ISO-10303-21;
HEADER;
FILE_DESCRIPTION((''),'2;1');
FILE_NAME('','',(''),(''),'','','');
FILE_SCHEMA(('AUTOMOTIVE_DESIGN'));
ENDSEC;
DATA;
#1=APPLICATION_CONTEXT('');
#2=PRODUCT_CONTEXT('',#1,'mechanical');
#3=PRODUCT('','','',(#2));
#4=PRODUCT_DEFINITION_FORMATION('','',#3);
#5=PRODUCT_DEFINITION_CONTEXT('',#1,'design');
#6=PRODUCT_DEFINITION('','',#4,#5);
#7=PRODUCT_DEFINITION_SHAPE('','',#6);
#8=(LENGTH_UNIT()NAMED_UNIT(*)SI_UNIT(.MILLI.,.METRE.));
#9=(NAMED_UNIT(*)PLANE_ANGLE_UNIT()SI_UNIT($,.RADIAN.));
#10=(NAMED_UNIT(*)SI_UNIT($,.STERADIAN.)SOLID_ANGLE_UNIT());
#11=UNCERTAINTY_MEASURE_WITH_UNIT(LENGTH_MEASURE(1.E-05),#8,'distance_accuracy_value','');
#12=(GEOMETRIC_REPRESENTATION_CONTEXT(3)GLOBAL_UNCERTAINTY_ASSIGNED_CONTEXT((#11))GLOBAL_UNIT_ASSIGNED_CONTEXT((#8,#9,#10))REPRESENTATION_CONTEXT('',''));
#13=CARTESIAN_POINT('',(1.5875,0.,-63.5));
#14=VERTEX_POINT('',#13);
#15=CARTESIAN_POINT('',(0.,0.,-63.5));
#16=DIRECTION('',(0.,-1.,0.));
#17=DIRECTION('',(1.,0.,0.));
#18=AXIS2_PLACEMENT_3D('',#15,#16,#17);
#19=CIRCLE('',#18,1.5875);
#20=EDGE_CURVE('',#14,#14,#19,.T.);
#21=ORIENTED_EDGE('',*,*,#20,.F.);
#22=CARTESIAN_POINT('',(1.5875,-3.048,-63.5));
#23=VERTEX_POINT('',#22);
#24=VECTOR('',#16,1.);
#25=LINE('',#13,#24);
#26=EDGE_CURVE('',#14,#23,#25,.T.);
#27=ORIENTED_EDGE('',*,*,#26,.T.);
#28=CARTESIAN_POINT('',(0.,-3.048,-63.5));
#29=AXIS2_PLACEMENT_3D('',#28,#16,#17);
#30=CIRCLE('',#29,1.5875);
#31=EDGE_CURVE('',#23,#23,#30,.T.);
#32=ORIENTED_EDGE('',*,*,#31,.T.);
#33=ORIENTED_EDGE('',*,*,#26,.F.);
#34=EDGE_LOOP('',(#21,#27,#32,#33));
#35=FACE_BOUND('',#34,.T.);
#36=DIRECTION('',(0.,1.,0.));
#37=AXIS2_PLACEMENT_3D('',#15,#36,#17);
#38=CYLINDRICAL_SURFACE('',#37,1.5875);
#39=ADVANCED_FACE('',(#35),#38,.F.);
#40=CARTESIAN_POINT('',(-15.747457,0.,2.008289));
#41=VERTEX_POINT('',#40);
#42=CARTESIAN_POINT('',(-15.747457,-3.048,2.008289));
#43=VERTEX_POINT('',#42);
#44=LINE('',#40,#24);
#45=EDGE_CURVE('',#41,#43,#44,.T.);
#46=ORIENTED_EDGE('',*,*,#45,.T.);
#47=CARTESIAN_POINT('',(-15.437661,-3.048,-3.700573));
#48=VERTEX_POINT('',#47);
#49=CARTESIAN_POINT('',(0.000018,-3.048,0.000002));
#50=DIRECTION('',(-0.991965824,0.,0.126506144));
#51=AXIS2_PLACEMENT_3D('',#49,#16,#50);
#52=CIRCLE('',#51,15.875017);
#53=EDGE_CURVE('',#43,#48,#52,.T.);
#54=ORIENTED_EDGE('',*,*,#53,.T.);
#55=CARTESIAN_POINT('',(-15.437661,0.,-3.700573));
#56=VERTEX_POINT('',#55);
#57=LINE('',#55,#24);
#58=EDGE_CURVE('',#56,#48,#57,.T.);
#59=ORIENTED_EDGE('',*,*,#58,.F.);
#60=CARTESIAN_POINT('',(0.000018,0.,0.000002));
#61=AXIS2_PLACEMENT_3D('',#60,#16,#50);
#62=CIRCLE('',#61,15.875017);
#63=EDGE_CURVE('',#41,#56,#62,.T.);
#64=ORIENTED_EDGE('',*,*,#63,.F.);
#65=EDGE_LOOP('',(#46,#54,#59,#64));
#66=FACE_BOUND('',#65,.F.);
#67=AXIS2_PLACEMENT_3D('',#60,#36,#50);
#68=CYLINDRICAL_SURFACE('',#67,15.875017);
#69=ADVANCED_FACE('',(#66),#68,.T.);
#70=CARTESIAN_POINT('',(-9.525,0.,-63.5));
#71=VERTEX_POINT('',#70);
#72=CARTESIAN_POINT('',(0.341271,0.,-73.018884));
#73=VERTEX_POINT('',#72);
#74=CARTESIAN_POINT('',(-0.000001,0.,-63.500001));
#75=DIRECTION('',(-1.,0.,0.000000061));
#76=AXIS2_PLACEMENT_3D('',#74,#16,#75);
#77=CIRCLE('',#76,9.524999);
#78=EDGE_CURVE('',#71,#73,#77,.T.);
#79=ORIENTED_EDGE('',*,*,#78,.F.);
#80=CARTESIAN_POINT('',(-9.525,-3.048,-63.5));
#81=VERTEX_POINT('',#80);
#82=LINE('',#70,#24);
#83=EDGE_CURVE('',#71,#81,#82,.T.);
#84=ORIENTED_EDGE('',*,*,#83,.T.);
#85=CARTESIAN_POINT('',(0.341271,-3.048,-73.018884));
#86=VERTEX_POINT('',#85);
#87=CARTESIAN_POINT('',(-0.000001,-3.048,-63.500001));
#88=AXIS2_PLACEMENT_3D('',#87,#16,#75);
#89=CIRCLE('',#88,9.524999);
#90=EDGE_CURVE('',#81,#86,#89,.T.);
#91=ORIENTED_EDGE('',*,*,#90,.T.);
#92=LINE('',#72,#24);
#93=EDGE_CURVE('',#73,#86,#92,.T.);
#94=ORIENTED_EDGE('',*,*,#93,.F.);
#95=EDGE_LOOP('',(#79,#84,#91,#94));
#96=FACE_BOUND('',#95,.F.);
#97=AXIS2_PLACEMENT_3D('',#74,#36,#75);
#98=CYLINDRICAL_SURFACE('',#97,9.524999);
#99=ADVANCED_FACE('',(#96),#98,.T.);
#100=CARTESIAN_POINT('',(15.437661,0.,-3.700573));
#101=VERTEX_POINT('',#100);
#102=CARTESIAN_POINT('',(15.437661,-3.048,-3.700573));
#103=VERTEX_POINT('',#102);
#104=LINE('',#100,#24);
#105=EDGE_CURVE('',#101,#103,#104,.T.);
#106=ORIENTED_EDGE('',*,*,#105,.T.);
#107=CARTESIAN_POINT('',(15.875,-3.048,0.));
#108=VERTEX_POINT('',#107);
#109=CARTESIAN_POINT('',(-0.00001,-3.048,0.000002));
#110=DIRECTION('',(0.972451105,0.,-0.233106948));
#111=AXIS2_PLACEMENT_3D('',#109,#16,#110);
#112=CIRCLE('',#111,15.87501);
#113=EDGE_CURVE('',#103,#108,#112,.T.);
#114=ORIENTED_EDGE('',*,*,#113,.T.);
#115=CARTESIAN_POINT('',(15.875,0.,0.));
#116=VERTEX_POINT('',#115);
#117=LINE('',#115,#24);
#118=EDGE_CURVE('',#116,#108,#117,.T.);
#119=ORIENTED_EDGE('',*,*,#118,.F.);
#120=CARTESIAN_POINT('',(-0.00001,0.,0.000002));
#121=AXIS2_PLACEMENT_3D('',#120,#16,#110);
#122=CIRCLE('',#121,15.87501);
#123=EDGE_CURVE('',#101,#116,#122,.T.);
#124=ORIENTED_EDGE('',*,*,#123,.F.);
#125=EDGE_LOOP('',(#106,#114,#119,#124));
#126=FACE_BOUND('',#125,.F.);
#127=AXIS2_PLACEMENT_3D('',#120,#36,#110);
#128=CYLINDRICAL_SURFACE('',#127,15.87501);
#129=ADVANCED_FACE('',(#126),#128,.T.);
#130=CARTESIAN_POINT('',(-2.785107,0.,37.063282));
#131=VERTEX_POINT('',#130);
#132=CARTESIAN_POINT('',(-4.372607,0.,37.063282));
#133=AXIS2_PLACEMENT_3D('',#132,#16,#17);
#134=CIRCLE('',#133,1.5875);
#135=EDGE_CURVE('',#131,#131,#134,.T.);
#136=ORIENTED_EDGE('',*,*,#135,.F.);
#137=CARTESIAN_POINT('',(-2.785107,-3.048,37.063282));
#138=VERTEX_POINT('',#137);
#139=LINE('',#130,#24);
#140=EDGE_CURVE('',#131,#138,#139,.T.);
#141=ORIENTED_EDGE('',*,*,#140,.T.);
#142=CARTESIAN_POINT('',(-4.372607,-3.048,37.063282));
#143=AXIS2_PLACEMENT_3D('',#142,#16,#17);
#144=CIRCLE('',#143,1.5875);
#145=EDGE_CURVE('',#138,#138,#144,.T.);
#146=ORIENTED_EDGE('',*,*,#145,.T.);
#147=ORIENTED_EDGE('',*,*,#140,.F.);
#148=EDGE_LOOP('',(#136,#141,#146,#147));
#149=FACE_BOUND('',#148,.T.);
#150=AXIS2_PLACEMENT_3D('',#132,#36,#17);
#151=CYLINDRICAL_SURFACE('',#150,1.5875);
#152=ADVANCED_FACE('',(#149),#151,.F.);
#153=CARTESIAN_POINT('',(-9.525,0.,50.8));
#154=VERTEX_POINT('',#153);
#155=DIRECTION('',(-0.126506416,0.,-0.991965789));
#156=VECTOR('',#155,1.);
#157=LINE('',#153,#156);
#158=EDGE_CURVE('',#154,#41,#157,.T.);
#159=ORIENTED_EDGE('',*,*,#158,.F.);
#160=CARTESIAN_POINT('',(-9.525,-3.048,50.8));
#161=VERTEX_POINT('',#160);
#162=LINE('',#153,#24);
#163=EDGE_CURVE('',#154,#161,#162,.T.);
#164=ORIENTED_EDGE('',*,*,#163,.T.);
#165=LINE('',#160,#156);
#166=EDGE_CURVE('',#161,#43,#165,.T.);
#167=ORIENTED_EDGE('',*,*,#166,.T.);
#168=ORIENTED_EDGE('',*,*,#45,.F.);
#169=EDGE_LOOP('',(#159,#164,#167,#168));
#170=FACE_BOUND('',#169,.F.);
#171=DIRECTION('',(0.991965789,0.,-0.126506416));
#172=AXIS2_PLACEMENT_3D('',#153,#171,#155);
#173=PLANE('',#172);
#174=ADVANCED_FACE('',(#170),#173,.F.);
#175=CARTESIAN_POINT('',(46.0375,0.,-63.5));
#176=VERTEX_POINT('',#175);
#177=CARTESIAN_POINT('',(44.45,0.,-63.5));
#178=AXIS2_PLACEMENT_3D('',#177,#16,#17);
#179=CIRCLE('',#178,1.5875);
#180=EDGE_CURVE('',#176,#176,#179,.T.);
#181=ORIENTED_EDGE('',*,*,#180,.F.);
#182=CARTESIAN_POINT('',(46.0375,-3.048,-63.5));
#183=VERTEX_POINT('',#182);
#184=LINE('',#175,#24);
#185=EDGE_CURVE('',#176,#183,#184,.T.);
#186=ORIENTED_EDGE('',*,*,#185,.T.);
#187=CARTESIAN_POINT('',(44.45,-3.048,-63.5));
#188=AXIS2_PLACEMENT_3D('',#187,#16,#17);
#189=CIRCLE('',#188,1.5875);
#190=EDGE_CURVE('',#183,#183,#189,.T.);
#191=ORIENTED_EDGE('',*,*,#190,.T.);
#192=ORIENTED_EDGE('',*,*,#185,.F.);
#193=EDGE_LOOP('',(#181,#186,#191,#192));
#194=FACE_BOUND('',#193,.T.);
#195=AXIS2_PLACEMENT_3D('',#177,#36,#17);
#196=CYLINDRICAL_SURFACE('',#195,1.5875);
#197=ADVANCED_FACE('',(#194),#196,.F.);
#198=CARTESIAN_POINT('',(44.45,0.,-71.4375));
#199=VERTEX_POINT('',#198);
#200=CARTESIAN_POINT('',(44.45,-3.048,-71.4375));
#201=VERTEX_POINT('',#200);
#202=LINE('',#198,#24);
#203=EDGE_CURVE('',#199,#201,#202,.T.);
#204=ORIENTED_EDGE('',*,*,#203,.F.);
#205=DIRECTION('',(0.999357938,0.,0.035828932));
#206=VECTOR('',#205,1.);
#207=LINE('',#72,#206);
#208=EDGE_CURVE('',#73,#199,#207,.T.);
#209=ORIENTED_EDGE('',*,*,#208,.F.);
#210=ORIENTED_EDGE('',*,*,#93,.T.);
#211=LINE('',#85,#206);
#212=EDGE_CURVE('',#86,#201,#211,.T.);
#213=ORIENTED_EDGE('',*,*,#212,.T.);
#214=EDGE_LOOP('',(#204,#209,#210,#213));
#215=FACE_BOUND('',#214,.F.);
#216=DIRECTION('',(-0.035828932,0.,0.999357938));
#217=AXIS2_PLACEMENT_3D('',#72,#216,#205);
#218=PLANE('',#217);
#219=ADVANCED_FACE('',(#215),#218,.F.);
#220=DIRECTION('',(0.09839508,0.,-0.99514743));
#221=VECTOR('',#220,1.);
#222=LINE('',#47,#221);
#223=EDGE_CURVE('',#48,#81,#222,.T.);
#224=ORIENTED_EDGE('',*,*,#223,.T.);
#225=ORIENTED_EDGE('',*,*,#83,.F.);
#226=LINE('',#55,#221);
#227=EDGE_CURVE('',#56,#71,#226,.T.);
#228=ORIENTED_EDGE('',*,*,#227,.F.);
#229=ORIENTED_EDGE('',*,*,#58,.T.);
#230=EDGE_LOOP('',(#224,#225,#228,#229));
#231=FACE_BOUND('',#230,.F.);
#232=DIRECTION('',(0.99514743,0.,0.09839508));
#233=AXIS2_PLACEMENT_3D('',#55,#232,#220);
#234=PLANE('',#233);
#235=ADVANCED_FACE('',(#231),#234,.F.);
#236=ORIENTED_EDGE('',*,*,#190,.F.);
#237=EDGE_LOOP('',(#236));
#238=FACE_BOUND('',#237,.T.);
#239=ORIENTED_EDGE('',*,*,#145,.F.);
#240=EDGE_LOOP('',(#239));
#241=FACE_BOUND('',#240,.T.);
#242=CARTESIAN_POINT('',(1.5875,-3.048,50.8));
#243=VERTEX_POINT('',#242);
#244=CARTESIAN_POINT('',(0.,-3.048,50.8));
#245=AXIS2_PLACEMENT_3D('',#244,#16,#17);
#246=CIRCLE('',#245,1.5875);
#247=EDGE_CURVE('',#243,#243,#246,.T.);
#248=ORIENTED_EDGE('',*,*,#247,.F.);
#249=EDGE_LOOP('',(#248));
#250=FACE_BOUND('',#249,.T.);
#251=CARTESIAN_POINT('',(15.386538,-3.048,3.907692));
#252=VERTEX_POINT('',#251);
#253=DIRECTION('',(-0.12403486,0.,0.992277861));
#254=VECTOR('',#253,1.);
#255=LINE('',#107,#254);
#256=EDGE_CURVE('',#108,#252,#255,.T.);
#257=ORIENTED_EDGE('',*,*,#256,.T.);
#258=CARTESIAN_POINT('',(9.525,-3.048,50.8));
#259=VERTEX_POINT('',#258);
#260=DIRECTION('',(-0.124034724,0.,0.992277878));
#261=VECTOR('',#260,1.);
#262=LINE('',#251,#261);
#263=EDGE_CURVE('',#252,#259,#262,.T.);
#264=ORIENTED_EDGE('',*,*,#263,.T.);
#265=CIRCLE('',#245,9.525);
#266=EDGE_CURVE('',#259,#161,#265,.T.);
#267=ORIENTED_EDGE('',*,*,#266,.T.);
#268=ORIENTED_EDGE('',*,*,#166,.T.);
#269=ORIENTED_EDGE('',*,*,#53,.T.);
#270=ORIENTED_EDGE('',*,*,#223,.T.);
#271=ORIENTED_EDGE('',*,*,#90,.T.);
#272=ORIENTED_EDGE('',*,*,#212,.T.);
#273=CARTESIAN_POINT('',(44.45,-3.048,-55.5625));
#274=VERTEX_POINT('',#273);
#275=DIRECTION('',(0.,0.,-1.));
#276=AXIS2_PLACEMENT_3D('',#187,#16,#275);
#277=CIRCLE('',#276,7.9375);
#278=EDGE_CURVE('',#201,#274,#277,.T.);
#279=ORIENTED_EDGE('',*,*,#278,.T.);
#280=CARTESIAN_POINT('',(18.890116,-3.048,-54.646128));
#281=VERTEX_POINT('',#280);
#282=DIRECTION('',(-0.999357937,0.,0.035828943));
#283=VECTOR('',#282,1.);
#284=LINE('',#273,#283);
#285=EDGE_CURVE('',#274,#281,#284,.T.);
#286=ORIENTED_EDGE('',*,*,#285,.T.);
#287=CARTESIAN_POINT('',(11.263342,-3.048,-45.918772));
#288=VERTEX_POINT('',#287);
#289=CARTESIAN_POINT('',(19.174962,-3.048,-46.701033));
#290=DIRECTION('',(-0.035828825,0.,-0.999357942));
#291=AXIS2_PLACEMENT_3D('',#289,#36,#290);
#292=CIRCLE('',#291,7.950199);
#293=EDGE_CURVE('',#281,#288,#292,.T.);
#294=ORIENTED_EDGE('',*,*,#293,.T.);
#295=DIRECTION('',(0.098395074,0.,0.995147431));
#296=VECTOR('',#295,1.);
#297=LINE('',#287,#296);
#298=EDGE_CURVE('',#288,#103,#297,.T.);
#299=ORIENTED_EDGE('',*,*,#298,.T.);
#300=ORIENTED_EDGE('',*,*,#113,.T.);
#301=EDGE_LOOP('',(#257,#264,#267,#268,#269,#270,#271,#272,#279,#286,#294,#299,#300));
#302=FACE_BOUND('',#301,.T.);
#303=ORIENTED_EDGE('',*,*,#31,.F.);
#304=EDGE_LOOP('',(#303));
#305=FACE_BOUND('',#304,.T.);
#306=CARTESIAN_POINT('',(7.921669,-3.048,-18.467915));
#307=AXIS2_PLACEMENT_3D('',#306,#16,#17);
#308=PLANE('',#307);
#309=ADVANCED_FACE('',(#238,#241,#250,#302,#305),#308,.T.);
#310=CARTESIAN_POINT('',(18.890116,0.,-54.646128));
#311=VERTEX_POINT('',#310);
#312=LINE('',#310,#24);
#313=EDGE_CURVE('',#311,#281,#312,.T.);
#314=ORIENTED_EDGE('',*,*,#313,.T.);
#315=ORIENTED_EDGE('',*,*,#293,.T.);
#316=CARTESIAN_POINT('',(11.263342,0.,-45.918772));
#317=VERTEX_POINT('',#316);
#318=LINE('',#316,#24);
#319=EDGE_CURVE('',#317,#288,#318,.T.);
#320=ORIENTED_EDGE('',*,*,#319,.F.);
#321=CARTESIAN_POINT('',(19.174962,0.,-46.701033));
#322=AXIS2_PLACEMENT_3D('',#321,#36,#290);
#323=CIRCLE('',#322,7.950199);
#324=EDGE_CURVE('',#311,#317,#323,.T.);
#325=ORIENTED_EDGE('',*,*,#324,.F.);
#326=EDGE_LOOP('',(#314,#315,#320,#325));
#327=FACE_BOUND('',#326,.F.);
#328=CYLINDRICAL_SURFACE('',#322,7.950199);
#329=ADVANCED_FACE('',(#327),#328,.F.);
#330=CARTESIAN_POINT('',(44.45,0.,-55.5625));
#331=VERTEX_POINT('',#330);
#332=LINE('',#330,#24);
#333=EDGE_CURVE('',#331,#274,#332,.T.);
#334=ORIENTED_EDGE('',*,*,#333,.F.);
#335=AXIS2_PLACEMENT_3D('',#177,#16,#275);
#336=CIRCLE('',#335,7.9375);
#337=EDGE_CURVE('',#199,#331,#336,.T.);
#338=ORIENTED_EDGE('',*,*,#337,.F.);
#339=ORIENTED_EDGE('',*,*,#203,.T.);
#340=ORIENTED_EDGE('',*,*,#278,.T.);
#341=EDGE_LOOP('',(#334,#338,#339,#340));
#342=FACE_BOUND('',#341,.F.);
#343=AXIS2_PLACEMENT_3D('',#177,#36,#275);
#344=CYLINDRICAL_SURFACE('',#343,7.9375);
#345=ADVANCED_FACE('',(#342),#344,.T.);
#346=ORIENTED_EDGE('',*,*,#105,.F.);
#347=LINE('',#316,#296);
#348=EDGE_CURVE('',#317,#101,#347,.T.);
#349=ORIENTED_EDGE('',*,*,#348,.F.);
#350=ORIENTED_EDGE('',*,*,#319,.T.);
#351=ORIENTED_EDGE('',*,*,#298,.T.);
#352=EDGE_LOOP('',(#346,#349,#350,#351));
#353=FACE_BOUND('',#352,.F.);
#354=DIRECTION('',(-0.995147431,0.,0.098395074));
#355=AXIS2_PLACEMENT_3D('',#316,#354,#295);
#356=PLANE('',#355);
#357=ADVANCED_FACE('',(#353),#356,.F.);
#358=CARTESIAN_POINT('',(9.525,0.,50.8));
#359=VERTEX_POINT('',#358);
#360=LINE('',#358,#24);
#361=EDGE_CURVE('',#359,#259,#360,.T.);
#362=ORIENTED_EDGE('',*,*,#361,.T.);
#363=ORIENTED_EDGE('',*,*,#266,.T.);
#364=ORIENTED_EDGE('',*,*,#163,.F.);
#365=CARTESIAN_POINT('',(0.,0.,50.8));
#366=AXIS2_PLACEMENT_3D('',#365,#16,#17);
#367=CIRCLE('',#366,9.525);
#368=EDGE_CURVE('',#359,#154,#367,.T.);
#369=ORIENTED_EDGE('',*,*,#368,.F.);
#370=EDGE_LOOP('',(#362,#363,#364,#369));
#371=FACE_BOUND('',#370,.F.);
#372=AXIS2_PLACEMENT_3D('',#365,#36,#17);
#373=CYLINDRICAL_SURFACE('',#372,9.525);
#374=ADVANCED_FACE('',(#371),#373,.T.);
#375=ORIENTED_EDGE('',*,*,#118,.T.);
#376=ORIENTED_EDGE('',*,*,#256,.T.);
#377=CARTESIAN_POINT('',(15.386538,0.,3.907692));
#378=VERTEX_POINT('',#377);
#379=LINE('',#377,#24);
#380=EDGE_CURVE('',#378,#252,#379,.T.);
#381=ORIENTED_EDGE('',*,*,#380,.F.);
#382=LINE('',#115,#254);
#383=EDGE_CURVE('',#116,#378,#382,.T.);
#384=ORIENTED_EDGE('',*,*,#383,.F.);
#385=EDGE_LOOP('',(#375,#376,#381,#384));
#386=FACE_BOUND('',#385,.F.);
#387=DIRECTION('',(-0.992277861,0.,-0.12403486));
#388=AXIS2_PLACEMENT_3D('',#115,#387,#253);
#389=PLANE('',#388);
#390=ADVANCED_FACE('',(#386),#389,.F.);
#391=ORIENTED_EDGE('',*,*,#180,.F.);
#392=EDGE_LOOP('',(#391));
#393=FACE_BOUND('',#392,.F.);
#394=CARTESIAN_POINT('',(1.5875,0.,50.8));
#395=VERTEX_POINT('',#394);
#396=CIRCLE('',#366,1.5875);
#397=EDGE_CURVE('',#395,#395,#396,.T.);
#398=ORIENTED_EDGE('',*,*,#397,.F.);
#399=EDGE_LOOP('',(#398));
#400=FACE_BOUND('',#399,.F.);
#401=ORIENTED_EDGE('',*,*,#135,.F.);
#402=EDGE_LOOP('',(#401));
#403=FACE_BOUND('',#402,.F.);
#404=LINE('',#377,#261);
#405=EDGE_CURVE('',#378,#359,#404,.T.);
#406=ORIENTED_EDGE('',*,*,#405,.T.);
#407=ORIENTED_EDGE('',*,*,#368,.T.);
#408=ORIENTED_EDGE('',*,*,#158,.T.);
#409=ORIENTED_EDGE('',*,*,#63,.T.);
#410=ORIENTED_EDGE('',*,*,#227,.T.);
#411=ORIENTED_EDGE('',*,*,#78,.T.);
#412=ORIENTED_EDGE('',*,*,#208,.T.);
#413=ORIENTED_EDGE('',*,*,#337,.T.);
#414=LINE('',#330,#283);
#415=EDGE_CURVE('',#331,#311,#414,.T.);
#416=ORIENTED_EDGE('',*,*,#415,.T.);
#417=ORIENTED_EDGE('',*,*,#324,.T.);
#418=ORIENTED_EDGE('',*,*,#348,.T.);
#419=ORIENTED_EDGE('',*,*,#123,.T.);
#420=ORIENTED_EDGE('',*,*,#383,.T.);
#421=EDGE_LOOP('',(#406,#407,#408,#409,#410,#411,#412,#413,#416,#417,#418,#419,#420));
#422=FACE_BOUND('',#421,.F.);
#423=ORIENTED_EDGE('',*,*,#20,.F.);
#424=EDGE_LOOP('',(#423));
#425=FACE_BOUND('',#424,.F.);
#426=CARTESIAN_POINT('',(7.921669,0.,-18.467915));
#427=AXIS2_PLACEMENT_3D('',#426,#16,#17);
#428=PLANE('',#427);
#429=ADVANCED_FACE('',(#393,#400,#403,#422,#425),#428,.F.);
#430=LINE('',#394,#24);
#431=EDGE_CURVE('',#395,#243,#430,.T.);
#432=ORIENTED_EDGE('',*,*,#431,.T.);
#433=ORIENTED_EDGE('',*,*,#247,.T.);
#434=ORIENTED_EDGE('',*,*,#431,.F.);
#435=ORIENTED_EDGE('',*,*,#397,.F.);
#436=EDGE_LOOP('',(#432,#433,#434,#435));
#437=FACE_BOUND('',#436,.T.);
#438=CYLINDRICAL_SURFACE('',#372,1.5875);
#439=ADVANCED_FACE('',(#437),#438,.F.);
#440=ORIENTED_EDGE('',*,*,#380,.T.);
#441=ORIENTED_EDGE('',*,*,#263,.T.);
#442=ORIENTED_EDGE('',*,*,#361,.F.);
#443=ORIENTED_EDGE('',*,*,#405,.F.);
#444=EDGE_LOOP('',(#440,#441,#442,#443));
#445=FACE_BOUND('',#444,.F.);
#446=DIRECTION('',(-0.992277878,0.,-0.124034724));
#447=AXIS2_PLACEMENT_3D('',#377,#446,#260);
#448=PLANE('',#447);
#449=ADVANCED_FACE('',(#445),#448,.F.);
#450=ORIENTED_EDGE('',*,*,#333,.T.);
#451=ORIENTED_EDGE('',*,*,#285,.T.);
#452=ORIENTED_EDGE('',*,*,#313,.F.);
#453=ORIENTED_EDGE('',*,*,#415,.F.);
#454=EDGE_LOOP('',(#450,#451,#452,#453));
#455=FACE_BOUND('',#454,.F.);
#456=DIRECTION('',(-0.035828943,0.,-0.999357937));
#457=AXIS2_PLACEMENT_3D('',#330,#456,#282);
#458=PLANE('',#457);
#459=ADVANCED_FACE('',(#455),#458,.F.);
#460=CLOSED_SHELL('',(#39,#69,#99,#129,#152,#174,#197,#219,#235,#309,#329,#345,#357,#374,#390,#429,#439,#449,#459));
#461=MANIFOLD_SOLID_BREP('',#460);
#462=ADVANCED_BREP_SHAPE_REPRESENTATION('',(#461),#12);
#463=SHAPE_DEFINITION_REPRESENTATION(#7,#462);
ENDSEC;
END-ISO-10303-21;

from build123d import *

# Parameters (mm, degrees)
F0_R     = 1.5875
F1_DEPTH = 3.048


with BuildPart() as f1:
    # F0 (on Front) → F1 (new body)
    with BuildSketch(Plane.XZ):
        with BuildLine():
            Line((-9.525, 50.8), (-15.747457, 2.008289))
            ThreePointArc((-15.747457, 2.008289), (-15.851677, -0.860203), (-15.437661, -3.700573))
            Line((-15.437661, -3.700573), (-9.525, -63.5))
            ThreePointArc((-9.525, -63.5), (-6.613434, -70.354788), (0.341271, -73.018884))
            Line((0.341271, -73.018884), (44.45, -71.4375))
            ThreePointArc((44.45, -71.4375), (52.3875, -63.5), (44.45, -55.5625))
            Line((44.45, -55.5625), (18.890116, -54.646128))
            ThreePointArc((18.890116, -54.646128), (13.188544, -51.932521), (11.263342, -45.918772))
            Line((11.263342, -45.918772), (15.437661, -3.700573))
            ThreePointArc((15.437661, -3.700573), (15.765286, -1.863163), (15.875, 0))
            Line((15.875, 0), (15.386538, 3.907692))
            Line((15.386538, 3.907692), (9.525, 50.8))
            ThreePointArc((9.525, 50.8), (0, 60.325), (-9.525, 50.8))
        make_face()
        with Locations((0, -63.5)):
            Circle(F0_R, mode=Mode.SUBTRACT)
        with Locations((44.45, -63.5)):
            Circle(F0_R, mode=Mode.SUBTRACT)
        with Locations((-4.372607, 37.063282)):
            Circle(F0_R, mode=Mode.SUBTRACT)
        with Locations((0, 50.8)):
            Circle(F0_R, mode=Mode.SUBTRACT)
    extrude(amount=F1_DEPTH)


solid = f1.part
